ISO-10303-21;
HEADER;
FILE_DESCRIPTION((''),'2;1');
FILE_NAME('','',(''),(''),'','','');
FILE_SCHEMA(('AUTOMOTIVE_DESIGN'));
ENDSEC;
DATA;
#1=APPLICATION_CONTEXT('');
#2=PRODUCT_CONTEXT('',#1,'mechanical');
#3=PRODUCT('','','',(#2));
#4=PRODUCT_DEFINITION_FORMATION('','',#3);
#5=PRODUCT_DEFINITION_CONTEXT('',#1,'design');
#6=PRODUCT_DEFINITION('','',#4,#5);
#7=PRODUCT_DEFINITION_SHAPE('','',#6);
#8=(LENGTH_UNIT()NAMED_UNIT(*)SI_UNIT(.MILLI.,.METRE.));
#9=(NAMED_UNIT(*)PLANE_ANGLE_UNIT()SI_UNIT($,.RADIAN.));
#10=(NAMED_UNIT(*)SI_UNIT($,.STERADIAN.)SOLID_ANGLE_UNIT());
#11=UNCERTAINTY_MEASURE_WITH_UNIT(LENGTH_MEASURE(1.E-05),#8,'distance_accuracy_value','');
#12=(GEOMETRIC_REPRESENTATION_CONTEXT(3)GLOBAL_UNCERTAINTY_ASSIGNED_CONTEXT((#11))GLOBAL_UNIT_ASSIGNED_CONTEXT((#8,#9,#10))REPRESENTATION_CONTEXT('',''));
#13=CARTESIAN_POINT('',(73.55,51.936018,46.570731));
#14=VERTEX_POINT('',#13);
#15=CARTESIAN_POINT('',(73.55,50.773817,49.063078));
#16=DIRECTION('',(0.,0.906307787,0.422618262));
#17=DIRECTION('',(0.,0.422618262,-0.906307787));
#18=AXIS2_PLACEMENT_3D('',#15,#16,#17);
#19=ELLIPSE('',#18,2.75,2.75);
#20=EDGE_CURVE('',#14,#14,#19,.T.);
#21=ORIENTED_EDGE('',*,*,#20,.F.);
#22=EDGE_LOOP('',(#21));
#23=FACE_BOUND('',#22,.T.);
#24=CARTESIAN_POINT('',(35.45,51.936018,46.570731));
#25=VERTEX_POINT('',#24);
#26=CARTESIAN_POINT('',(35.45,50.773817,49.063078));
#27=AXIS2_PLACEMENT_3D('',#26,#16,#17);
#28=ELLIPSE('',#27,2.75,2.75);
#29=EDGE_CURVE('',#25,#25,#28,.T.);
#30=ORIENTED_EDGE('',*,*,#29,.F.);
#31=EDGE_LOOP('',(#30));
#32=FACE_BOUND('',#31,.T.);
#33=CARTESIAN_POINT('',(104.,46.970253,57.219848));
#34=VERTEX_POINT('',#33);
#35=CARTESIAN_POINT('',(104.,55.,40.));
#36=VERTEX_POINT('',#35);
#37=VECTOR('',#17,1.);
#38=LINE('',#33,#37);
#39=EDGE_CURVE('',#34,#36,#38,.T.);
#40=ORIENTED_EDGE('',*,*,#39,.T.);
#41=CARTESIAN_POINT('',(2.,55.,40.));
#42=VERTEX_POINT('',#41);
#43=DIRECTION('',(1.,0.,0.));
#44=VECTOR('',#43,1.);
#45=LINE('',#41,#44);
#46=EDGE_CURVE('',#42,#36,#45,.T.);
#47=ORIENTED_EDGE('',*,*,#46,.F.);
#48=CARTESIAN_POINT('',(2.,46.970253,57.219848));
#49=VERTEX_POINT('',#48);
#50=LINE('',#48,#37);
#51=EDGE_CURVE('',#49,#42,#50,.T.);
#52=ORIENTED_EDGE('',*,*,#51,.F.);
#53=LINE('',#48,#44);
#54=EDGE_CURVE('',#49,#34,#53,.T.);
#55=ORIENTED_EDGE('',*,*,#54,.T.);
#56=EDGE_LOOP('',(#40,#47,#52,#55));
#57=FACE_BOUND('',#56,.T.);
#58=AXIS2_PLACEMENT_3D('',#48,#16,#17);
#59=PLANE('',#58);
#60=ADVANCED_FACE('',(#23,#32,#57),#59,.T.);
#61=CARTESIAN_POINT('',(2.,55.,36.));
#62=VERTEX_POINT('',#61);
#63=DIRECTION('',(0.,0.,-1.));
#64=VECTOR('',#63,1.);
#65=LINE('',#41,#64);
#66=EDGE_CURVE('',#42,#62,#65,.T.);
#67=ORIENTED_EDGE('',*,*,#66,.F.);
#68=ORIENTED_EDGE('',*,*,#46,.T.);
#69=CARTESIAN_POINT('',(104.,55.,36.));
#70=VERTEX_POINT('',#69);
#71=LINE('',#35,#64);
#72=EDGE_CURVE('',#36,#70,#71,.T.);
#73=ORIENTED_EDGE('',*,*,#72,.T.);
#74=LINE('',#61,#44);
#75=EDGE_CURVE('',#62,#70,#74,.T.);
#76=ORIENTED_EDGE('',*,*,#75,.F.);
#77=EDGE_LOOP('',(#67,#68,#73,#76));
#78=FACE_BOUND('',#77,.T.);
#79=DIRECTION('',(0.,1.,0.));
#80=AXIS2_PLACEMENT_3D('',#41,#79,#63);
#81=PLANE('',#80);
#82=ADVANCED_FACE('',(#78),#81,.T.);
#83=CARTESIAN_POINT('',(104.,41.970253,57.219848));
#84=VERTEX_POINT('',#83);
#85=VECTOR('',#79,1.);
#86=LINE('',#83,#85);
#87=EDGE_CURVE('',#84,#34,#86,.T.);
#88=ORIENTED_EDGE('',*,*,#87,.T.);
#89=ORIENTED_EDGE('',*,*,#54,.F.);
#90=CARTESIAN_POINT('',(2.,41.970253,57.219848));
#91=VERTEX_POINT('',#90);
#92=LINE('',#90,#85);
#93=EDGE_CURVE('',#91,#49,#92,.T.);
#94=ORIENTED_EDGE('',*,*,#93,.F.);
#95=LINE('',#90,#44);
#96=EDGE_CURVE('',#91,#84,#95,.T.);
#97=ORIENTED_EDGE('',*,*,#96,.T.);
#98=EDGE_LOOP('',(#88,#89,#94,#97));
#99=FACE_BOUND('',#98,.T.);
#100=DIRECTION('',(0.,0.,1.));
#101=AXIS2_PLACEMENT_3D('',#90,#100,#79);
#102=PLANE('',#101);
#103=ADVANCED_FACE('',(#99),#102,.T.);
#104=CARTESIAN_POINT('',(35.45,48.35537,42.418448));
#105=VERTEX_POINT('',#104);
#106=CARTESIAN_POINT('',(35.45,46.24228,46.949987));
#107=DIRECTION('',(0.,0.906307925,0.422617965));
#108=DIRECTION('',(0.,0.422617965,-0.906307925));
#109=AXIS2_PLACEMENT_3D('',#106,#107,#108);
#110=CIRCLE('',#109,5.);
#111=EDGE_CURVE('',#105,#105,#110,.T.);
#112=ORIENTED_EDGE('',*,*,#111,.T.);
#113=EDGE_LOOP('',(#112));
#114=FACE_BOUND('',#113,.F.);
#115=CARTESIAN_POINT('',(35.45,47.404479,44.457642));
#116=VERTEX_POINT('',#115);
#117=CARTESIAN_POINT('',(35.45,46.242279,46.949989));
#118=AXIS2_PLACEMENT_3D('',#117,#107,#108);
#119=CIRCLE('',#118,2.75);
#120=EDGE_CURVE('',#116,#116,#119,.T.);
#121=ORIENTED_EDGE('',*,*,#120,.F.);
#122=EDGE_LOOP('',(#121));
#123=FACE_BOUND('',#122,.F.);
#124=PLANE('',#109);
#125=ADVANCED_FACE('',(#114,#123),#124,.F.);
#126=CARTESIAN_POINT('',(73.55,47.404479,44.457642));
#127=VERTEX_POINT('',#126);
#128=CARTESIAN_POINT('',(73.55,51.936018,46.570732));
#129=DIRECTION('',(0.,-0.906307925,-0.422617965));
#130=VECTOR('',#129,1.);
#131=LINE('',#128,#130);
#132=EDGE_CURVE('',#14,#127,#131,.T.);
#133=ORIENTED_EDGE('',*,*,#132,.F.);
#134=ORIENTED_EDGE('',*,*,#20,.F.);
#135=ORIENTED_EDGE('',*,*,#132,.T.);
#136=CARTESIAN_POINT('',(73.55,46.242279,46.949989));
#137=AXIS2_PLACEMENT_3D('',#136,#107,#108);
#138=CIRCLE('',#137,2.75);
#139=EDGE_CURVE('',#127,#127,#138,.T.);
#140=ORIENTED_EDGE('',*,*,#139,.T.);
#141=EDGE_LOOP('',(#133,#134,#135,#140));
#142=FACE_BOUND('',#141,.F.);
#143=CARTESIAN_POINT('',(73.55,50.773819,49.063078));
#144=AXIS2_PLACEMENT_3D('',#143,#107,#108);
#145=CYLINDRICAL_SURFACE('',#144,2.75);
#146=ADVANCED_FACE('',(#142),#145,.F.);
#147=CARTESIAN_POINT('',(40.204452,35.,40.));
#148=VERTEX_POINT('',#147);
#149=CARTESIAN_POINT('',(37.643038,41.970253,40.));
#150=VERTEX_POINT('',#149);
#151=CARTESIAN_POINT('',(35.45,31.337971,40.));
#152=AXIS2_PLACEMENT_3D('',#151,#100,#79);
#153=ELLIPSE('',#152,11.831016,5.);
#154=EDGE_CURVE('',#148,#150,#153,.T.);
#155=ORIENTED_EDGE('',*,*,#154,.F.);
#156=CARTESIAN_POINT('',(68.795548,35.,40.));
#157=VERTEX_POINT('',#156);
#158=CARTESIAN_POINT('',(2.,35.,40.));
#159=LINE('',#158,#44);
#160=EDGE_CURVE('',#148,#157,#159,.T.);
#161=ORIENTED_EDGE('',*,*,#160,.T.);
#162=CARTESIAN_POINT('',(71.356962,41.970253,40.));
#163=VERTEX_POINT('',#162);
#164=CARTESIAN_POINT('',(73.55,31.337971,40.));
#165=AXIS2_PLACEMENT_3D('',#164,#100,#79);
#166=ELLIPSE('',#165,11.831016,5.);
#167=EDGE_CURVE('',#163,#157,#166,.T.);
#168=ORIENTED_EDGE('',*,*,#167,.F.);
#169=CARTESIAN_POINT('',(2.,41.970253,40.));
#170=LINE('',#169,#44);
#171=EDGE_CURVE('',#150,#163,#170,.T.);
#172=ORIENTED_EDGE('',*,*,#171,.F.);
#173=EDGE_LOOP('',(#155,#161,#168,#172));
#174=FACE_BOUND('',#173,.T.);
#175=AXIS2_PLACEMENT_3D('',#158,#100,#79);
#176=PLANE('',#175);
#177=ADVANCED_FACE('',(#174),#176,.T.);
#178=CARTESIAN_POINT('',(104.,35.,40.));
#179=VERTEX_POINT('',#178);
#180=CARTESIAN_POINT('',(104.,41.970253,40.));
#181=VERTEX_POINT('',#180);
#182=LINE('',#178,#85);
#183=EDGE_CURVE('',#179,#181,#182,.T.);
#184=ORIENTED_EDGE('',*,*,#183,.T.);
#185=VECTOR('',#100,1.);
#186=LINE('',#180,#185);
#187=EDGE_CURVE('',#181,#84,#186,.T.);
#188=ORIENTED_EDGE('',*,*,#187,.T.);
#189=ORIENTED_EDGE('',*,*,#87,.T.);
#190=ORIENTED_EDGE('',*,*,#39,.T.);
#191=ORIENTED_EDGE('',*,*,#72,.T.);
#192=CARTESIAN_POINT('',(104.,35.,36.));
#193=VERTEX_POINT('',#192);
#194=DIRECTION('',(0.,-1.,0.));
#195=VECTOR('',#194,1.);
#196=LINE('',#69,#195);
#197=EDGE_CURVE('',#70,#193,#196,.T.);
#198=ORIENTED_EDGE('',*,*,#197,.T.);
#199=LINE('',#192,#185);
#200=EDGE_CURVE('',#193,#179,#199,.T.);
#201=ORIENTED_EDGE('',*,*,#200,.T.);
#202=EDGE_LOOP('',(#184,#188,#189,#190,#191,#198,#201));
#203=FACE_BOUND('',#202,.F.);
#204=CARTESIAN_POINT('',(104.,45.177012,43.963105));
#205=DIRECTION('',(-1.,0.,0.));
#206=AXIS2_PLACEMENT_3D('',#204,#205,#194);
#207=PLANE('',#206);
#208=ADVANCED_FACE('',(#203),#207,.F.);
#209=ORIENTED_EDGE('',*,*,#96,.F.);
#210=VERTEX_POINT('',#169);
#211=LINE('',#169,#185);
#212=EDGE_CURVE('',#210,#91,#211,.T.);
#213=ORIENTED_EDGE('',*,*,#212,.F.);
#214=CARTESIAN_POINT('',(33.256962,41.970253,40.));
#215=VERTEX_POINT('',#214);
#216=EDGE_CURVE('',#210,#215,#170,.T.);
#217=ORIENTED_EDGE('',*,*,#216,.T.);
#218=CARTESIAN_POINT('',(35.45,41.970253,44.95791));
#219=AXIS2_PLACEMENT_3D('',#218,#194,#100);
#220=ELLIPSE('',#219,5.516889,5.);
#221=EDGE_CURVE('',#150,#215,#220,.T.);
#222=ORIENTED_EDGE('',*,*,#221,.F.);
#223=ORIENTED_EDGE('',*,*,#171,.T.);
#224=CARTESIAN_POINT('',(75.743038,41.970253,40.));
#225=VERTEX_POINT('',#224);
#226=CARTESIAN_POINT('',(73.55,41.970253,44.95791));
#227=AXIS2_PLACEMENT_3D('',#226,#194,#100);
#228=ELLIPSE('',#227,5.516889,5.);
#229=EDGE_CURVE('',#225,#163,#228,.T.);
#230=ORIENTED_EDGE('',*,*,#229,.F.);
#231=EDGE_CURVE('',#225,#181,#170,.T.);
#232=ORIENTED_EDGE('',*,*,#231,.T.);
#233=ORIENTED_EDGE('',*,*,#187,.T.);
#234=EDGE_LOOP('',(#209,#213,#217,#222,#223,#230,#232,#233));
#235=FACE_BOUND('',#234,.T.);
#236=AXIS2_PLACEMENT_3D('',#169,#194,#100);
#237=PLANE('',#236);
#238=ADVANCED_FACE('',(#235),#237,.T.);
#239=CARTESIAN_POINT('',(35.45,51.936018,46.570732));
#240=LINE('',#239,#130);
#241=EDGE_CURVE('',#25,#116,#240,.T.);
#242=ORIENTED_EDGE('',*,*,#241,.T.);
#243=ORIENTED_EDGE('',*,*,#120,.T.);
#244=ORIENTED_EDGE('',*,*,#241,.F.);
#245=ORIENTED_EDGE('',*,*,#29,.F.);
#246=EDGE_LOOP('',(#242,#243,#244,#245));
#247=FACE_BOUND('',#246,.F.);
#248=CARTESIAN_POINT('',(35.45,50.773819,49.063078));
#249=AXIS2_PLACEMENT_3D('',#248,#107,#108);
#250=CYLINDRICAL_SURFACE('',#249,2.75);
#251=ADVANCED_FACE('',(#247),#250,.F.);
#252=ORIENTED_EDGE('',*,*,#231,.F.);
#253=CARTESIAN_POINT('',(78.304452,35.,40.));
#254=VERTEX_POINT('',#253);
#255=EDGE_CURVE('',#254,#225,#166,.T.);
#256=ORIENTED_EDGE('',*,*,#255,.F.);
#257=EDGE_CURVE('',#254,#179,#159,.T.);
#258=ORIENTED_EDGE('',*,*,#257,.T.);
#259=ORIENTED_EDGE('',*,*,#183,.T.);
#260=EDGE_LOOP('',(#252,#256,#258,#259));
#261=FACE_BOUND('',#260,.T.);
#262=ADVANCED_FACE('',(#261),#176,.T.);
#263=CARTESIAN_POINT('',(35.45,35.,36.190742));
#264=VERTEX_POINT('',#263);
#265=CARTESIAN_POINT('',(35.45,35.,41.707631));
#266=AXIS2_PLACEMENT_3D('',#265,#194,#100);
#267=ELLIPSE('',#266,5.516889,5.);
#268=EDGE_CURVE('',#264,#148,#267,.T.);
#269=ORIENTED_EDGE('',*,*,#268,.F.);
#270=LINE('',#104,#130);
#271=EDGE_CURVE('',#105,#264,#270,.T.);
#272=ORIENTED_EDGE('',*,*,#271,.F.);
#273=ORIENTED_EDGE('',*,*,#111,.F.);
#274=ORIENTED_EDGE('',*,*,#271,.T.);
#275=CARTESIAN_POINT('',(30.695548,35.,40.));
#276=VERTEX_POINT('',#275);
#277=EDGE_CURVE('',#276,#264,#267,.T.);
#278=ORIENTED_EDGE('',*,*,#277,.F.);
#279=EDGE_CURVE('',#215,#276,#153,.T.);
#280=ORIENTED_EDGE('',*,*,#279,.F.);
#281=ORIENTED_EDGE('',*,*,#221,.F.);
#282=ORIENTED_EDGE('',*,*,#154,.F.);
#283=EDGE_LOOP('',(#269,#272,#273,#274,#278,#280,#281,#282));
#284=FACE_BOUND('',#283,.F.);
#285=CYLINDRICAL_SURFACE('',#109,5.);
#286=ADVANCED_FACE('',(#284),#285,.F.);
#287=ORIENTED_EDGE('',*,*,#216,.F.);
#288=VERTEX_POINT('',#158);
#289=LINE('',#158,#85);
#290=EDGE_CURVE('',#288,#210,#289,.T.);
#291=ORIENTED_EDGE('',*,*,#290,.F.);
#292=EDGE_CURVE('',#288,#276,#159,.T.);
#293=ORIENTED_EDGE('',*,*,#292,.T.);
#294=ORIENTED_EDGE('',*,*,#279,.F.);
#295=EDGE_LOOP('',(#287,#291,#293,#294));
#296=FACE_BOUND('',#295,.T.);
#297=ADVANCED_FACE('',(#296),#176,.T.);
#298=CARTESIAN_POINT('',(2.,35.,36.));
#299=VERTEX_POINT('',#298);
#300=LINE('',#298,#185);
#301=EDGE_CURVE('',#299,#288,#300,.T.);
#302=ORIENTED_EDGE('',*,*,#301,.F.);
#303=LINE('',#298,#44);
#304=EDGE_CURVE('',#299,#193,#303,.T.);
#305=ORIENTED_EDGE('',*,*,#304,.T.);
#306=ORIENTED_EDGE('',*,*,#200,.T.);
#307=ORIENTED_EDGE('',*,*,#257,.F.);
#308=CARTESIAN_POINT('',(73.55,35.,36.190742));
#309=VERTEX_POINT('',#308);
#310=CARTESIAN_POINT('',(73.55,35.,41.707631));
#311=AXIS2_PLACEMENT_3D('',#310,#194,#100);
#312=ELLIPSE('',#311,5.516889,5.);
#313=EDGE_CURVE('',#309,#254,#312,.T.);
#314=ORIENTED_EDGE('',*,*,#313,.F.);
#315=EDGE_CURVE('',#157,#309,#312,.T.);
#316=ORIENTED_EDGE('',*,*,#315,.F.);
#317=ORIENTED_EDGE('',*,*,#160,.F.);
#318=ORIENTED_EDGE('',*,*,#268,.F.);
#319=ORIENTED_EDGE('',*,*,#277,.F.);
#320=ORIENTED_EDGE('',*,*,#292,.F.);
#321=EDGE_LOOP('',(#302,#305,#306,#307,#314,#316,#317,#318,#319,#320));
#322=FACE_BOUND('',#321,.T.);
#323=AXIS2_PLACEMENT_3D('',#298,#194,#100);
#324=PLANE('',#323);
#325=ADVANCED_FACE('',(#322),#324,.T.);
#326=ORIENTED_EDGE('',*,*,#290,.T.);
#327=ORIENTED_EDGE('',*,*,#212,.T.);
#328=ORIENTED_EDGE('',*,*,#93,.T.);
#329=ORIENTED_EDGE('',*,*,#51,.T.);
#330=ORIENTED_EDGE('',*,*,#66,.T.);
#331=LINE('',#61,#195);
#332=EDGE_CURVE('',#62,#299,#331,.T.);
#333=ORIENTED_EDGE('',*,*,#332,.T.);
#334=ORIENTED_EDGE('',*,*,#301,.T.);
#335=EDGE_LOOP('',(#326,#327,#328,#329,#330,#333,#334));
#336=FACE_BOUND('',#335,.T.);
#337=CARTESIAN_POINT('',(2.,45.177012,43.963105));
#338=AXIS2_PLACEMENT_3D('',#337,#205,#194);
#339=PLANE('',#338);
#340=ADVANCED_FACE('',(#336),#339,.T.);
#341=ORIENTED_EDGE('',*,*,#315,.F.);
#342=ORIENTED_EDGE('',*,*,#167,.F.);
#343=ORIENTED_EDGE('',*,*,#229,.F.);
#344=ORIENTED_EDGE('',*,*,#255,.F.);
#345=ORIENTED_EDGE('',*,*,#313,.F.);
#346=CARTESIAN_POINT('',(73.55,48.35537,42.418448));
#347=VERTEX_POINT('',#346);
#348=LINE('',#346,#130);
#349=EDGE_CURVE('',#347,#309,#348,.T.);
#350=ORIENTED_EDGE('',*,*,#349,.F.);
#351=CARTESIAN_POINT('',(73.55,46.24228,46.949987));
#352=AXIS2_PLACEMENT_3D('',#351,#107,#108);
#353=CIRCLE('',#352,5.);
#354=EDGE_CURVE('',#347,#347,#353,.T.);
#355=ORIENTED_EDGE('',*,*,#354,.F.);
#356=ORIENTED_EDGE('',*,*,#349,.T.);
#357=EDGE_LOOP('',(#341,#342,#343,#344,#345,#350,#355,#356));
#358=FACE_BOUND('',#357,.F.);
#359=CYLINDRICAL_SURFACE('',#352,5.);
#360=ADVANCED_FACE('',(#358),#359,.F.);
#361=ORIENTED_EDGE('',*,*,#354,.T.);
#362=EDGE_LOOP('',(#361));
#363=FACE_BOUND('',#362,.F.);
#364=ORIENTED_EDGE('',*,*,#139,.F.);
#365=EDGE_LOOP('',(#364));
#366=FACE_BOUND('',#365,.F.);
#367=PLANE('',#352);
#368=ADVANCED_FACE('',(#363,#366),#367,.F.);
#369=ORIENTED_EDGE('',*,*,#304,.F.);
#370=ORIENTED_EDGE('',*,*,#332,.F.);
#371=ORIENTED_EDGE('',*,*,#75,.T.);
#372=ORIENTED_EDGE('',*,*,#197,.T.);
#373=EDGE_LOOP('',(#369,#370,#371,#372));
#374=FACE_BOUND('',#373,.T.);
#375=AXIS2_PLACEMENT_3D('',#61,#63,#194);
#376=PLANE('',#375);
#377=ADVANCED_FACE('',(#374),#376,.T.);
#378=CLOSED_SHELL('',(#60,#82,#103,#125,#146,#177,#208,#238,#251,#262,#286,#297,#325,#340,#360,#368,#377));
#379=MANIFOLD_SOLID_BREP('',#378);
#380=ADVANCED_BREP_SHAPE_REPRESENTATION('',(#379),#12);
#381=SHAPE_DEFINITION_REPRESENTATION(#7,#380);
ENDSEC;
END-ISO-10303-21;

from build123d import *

# Parameters (mm, degrees)
PAD004_DEPTH            = 102
SKETCH006_R             = 2.75
POCKET001_DEPTH         = 19.817629
SKETCH007_R             = 5
POCKET002_DEPTH         = 14.817629
BODY002_PLACEMENT_ANGLE = 180


with BuildPart() as part:
    # Sketch004 → Pad004 (new body)
    with BuildSketch(Plane.YZ):
        Polygon((-6.970253, 4), (-6.970253, 21.219848), (-11.970253, 21.219848), (-20, 4), (-20, 0), (0, 0), (0, 4), align=None)
    extrude(amount=-PAD004_DEPTH)

    # Sketch006 (on Face3 of Pad004) → Pocket001 (cut, through all)
    with BuildSketch(Plane(origin=(0, -17.959965, 8.374869), x_dir=(0, -0.422618, -0.906308), z_dir=(0, -0.906308, 0.422618))):
        with Locations((-5.172866, -33.45)):
            Circle(SKETCH006_R)
        with Locations((-5.172866, -71.55)):
            Circle(SKETCH006_R)
    extrude(amount=-POCKET001_DEPTH, mode=Mode.SUBTRACT)

    # Sketch007 (on Face9 of Pocket001) → Pocket002 (cut, through all)
    with BuildSketch(Plane(origin=(0, -13.428426, 6.261778), x_dir=(0, -0.422618, -0.906308), z_dir=(0, -0.906308, 0.422618))):
        with Locations((-5.172866, -33.45)):
            Circle(SKETCH007_R)
        with Locations((-5.172866, -71.55)):
            Circle(SKETCH007_R)
    extrude(amount=-POCKET002_DEPTH, mode=Mode.SUBTRACT)


with BuildPart() as part_1:
    # Body002 placement: moved
    add(part.part.moved(Location((2, 35, 36))).rotate(Axis((2, 35, 36), (0, 0, 1)), BODY002_PLACEMENT_ANGLE))


solid = part_1.part
